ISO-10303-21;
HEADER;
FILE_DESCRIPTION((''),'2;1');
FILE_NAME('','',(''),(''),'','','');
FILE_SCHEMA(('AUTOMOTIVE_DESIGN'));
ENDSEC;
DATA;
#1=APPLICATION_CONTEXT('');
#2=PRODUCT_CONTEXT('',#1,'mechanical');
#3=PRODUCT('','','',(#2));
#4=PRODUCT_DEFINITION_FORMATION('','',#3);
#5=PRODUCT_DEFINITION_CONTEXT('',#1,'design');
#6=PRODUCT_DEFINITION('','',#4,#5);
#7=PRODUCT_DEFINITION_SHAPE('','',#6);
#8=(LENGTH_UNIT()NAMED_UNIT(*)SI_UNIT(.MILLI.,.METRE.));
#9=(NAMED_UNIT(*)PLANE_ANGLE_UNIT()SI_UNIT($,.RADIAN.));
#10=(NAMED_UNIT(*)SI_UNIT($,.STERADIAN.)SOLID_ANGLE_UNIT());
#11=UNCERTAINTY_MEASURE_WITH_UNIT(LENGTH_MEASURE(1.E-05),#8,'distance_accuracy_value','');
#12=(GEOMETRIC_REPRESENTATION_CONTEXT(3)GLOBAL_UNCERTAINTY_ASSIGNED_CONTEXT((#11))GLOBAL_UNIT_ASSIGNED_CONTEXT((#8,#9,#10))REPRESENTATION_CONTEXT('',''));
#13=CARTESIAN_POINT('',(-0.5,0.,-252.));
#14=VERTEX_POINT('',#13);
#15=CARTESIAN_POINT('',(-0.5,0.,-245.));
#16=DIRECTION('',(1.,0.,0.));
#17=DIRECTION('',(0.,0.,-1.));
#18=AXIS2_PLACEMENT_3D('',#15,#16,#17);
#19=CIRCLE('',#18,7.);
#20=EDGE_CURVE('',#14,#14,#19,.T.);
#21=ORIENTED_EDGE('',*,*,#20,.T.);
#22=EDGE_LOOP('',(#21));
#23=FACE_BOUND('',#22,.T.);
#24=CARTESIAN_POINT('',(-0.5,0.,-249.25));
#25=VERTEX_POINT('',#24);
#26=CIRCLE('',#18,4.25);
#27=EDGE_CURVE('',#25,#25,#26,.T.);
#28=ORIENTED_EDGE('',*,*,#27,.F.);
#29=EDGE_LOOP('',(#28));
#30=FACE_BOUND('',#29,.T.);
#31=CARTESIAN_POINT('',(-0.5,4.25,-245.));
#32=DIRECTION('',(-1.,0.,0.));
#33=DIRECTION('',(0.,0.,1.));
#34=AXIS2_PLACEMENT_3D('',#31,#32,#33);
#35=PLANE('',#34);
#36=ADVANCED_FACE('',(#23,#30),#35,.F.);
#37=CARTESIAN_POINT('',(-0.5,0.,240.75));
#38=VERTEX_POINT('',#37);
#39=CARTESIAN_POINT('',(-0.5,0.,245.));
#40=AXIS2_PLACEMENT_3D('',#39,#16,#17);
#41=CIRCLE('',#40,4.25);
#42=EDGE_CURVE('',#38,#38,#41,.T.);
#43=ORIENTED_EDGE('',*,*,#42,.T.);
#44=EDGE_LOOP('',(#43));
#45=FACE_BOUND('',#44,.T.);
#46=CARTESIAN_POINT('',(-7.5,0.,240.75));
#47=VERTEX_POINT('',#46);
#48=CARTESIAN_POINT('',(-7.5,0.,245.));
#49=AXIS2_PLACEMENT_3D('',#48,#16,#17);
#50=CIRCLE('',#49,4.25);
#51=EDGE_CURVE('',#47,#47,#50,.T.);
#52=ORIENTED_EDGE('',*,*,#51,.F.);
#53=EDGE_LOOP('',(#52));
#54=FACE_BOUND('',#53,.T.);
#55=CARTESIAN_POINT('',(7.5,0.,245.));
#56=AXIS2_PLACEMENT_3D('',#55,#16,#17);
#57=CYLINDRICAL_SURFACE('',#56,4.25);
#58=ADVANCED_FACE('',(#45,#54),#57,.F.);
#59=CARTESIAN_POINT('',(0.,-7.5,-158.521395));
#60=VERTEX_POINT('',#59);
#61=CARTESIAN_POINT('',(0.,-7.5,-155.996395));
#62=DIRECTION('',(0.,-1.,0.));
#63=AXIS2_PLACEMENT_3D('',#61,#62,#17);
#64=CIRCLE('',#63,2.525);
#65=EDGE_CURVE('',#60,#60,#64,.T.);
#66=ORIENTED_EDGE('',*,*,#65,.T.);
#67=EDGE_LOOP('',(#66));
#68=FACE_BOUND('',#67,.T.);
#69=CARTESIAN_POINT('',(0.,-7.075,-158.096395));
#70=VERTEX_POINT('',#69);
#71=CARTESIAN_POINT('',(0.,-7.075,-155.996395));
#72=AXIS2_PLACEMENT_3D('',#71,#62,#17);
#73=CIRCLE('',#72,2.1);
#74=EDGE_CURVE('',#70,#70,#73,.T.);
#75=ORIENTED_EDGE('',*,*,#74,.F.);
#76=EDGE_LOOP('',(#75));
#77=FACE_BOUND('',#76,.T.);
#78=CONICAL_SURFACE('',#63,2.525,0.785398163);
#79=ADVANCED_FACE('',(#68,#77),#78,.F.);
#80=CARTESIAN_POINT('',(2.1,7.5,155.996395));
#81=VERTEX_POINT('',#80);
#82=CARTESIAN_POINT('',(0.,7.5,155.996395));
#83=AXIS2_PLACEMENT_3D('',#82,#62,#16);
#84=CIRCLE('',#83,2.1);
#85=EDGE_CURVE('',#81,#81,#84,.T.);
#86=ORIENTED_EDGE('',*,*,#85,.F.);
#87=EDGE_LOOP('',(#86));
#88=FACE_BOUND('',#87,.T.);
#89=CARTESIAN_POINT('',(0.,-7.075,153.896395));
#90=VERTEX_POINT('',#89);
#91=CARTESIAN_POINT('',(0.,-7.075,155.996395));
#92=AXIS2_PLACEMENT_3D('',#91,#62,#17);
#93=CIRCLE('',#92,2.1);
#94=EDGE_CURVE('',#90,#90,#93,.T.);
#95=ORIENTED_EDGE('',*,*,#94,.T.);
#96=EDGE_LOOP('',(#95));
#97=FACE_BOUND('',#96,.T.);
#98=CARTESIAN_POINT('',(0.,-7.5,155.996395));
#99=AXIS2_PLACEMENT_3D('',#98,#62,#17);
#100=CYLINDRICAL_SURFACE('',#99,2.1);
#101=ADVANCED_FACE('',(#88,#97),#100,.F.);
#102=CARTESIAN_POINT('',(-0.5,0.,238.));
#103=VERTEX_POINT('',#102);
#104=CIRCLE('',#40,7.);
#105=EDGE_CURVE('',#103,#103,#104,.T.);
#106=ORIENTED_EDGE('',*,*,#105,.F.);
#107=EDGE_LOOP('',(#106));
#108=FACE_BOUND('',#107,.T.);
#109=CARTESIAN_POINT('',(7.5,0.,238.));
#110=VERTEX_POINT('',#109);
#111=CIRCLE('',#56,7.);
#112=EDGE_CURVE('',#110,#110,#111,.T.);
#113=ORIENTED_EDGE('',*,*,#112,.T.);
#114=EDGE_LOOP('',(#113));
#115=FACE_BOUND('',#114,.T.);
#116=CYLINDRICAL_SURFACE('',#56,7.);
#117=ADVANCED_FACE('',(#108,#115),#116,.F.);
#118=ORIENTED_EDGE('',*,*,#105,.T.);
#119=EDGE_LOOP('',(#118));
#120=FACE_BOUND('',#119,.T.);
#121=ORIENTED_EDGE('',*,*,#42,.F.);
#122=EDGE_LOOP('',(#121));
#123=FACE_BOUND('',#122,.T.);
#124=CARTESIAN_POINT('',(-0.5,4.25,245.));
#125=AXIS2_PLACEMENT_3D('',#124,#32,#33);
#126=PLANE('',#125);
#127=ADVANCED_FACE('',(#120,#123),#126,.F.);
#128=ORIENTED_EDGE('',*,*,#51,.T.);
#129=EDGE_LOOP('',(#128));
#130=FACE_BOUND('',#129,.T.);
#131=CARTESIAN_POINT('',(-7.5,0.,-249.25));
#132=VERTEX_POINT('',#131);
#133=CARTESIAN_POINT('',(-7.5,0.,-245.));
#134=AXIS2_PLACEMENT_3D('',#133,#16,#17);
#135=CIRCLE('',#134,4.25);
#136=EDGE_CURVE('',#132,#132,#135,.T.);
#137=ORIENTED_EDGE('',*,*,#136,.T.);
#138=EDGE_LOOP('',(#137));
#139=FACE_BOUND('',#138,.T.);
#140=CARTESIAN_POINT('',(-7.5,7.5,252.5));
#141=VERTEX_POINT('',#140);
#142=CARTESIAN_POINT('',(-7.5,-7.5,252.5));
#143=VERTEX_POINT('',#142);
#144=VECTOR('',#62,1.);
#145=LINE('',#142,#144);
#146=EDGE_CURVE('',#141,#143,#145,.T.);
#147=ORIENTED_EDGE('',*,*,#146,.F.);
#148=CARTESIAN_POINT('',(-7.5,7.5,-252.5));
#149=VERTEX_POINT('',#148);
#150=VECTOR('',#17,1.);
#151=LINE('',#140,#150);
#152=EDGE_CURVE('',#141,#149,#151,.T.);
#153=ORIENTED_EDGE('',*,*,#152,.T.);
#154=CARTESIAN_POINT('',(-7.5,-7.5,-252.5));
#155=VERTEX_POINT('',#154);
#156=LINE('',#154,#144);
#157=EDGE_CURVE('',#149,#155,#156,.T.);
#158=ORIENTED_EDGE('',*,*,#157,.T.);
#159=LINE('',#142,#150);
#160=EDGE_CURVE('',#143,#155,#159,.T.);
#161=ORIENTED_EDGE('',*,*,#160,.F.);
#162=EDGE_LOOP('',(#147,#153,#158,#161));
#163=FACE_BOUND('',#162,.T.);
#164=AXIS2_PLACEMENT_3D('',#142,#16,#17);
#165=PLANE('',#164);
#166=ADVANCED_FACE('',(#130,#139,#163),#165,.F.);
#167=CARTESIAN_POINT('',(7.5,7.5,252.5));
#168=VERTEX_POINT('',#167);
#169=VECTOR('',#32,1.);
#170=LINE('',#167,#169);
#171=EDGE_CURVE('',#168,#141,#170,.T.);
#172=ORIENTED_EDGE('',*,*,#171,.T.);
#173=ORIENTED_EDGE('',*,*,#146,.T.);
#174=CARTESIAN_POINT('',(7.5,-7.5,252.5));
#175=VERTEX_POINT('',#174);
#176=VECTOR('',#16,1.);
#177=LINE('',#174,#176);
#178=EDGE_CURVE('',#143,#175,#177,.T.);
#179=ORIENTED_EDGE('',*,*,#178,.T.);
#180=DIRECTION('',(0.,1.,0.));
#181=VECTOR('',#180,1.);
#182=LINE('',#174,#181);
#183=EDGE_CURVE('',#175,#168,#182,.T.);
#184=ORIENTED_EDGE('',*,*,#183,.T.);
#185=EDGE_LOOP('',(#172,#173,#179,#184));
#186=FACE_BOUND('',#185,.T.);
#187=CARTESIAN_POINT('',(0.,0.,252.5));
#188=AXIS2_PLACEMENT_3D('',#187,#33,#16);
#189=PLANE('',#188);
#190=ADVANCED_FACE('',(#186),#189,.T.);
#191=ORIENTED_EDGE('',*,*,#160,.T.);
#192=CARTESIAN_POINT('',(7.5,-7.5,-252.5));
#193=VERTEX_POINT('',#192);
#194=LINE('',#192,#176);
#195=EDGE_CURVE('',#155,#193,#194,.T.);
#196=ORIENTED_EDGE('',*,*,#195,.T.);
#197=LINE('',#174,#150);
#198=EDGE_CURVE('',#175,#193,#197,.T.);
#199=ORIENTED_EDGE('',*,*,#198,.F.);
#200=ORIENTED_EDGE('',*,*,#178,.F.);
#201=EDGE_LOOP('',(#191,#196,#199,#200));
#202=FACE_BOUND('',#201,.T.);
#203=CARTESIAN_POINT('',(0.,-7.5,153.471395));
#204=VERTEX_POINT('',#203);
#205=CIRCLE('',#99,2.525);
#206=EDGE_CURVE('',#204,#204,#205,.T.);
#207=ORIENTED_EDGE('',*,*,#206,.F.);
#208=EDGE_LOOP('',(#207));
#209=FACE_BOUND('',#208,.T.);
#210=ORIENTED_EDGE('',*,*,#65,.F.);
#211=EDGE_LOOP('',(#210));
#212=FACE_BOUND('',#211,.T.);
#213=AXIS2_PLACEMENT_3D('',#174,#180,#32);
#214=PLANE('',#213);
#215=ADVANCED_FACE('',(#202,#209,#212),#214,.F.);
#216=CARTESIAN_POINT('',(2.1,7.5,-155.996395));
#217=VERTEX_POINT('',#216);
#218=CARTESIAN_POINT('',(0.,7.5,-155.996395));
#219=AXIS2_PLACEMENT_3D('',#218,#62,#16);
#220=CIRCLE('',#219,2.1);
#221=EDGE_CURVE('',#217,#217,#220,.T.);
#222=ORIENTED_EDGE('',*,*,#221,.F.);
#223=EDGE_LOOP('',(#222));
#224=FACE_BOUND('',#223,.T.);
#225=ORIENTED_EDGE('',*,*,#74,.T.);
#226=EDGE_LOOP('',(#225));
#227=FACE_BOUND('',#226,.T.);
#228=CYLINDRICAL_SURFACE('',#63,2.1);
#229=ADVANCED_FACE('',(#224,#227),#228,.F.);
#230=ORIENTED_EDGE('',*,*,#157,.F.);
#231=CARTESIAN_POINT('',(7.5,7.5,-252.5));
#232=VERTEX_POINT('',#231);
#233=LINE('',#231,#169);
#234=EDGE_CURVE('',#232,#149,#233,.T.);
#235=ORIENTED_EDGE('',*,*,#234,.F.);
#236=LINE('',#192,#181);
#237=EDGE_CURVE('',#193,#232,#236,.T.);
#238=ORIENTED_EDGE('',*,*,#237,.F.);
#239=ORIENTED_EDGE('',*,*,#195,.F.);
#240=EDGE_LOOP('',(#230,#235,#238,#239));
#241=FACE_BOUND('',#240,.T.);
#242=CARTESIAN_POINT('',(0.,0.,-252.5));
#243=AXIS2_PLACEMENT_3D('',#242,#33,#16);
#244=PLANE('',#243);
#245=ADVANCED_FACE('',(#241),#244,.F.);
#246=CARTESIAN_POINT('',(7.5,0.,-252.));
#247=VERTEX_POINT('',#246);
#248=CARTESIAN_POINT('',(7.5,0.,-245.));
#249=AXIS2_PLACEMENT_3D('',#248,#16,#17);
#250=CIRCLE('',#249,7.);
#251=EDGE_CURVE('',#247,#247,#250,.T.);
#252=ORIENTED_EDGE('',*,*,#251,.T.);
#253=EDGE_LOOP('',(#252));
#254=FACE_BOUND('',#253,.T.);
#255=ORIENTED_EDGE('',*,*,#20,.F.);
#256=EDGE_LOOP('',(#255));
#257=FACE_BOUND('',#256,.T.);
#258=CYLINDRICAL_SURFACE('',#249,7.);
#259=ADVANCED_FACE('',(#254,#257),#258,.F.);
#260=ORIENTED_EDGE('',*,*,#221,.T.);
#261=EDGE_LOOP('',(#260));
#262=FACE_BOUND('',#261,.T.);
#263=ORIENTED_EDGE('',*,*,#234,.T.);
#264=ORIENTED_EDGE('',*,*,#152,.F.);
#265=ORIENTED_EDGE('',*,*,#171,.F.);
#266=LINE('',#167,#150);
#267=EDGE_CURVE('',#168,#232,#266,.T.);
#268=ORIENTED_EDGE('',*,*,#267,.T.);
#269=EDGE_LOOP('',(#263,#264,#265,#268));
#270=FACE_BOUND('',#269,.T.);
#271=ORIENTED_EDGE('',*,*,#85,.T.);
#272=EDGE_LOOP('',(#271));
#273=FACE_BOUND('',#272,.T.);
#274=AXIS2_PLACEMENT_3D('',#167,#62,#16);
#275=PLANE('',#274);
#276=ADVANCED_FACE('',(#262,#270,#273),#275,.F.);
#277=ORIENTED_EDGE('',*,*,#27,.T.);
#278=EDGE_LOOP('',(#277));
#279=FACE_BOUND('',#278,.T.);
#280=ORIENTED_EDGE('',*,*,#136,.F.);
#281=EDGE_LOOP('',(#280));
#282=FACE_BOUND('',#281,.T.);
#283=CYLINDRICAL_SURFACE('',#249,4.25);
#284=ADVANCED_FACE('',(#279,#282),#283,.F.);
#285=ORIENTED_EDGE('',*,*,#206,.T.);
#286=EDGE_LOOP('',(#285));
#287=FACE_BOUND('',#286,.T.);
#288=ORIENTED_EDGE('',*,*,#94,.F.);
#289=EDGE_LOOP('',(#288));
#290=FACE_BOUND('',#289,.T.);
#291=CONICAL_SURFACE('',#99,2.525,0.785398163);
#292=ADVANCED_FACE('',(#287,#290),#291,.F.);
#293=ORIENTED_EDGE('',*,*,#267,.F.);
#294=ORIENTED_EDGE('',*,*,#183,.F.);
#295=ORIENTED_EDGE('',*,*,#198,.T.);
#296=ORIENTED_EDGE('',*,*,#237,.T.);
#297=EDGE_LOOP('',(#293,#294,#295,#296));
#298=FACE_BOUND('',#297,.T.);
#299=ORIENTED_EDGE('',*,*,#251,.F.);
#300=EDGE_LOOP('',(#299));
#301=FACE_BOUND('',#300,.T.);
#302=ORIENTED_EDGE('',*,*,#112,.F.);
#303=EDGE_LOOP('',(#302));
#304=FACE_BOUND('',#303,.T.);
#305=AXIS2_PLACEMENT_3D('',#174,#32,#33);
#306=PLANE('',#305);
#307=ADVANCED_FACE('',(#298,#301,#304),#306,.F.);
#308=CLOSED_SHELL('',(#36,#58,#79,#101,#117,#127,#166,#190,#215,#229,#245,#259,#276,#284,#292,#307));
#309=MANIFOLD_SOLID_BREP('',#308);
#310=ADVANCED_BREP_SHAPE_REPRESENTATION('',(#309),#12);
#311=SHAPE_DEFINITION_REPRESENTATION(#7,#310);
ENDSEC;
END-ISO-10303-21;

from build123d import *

# Parameters (mm, degrees)
IZIM1_W                     = 15
IZIM1_H                     = 15
Y_KSEKLIK_EKSTR_ZYON1_DEPTH = 252.5
DELIK1_D                    = 8.5
DELIK1_CBORE_D              = 14
DELIK1_CBORE_DEPTH          = 8
M5_DI_LI_DELIK1_D           = 4.2
M5_DI_LI_DELIK1_DEPTH       = 24
M5_DI_LI_DELIK1_CSINK_D     = 5.05
M5_DI_LI_DELIK1_CSINK_ANGLE = 90
M5_DI_LI_DELIK1_TIP         = 1.2618073


with BuildPart() as part:
    # Çizim1 → Yükseklik-Ekstrüzyon1 (new, symmetric)
    with BuildSketch(Plane.XY):
        Rectangle(IZIM1_W, IZIM1_H)
    extrude(amount=Y_KSEKLIK_EKSTR_ZYON1_DEPTH, both=True)

    # Delik1 (through all)
    with Locations(Plane(origin=(7.5, 0, -245), x_dir=(0, 0, 1), z_dir=(1, 0, 0))):
        with Locations((0, 0)):
            delik1 = CounterBoreHole(DELIK1_D / 2, DELIK1_CBORE_D / 2, DELIK1_CBORE_DEPTH)

    # Aynalama1: Delik1 across plane
    add(delik1.mirror(Plane.XY), mode=Mode.SUBTRACT)

    # M5 Dişli Delik1
    with Locations(Plane(origin=(0, -7.5, 0), x_dir=(-1, 0, 0), z_dir=(0, -1, 0))):
        with Locations((0, 155.996395214), (0, -155.996395214)):
            CounterSinkHole(M5_DI_LI_DELIK1_D / 2, M5_DI_LI_DELIK1_CSINK_D / 2, depth=M5_DI_LI_DELIK1_DEPTH, counter_sink_angle=M5_DI_LI_DELIK1_CSINK_ANGLE)
            with Locations((0, 0, -(M5_DI_LI_DELIK1_DEPTH + M5_DI_LI_DELIK1_TIP / 2))):  # 118° drill point
                Cone(0, M5_DI_LI_DELIK1_D / 2, M5_DI_LI_DELIK1_TIP, mode=Mode.SUBTRACT)


solid = part.part
